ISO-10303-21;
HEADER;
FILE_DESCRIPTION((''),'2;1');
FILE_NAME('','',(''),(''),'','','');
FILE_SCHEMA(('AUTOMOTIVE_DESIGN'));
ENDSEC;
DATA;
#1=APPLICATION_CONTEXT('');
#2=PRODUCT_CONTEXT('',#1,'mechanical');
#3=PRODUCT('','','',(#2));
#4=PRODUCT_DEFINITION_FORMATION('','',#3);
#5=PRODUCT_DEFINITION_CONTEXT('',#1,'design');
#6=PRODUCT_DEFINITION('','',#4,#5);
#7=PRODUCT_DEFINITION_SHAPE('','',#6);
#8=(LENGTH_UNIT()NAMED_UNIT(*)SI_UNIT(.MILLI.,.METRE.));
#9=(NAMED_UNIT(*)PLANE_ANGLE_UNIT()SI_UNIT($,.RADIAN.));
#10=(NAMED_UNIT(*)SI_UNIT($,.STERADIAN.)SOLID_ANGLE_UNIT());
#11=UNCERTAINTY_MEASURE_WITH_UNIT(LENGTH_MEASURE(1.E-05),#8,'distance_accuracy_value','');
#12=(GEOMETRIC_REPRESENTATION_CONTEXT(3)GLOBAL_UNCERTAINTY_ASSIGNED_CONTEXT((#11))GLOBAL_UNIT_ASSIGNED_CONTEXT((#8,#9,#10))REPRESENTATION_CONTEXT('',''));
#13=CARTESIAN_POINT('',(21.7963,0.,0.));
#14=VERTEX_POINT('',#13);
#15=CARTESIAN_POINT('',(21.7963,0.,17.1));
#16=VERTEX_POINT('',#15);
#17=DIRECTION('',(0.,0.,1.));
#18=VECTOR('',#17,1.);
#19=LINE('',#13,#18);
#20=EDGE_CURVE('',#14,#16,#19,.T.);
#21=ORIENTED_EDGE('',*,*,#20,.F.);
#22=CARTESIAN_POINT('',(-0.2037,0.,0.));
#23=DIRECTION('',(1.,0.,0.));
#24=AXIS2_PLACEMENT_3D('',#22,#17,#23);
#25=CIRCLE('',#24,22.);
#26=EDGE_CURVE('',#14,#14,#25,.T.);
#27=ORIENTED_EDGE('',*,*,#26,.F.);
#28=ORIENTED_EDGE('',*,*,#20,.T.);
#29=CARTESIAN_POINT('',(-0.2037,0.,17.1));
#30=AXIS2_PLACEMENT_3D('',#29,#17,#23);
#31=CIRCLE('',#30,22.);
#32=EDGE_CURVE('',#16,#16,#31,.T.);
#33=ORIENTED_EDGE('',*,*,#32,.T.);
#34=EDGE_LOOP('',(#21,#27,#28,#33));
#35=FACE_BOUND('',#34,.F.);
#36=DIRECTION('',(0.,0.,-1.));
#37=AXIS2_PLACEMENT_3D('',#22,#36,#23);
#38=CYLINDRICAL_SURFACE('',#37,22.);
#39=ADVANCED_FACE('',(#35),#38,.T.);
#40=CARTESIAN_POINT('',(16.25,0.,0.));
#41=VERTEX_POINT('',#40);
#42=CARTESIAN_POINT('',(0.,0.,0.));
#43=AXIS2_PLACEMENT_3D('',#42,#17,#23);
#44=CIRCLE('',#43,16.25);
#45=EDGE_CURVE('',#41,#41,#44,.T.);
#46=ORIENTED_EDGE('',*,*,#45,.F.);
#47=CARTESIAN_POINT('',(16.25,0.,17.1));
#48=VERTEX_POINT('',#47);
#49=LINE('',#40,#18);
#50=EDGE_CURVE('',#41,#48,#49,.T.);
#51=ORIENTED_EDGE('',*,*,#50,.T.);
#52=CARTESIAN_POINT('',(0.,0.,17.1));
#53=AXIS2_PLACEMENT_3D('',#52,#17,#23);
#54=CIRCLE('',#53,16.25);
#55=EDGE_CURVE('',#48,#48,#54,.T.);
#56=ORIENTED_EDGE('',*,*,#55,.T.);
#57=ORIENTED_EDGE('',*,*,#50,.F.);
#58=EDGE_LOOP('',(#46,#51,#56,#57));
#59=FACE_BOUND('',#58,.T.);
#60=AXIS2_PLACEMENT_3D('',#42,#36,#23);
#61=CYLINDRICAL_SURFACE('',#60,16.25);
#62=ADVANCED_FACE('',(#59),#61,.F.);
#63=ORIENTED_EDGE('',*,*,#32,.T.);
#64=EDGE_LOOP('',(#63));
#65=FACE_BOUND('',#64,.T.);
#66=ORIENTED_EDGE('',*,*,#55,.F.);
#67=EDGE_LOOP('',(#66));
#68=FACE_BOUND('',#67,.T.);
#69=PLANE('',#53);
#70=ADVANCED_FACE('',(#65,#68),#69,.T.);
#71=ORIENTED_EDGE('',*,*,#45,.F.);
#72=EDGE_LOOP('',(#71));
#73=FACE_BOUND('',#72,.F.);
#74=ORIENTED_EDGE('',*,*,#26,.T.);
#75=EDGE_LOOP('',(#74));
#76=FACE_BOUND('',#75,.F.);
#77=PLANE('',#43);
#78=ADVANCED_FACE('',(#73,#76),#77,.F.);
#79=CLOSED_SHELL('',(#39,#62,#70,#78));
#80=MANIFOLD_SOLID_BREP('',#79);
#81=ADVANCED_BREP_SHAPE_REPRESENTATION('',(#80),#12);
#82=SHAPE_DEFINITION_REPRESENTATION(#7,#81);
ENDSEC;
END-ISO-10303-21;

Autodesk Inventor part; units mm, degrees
ref_plane "YZ Plane" through (0, 0, 0) normal (1, 0, 0) x (0, 1, 0)
ref_plane "XZ Plane" through (0, 0, 0) normal (0, 1, 0) x (-1, 0, 0)
ref_plane "XY Plane" through (0, 0, 0) normal (0, 0, 1) x (1, 0, 0)
sketch "Sketch1" plane through (0, 0, 0) normal (0, 0, 1) x (1, 0, 0)
  circle A0 centre (0, 0) radius 16.25
  circle A1 centre (-0.2037, 0) radius 22
  dimension "d0" = 32.5
  dimension "d1" = 44
extrude "Extrusion1" add sketch "Sketch1" along normal blind 17.1
properties part number "Support ring 44_32.5mm"
